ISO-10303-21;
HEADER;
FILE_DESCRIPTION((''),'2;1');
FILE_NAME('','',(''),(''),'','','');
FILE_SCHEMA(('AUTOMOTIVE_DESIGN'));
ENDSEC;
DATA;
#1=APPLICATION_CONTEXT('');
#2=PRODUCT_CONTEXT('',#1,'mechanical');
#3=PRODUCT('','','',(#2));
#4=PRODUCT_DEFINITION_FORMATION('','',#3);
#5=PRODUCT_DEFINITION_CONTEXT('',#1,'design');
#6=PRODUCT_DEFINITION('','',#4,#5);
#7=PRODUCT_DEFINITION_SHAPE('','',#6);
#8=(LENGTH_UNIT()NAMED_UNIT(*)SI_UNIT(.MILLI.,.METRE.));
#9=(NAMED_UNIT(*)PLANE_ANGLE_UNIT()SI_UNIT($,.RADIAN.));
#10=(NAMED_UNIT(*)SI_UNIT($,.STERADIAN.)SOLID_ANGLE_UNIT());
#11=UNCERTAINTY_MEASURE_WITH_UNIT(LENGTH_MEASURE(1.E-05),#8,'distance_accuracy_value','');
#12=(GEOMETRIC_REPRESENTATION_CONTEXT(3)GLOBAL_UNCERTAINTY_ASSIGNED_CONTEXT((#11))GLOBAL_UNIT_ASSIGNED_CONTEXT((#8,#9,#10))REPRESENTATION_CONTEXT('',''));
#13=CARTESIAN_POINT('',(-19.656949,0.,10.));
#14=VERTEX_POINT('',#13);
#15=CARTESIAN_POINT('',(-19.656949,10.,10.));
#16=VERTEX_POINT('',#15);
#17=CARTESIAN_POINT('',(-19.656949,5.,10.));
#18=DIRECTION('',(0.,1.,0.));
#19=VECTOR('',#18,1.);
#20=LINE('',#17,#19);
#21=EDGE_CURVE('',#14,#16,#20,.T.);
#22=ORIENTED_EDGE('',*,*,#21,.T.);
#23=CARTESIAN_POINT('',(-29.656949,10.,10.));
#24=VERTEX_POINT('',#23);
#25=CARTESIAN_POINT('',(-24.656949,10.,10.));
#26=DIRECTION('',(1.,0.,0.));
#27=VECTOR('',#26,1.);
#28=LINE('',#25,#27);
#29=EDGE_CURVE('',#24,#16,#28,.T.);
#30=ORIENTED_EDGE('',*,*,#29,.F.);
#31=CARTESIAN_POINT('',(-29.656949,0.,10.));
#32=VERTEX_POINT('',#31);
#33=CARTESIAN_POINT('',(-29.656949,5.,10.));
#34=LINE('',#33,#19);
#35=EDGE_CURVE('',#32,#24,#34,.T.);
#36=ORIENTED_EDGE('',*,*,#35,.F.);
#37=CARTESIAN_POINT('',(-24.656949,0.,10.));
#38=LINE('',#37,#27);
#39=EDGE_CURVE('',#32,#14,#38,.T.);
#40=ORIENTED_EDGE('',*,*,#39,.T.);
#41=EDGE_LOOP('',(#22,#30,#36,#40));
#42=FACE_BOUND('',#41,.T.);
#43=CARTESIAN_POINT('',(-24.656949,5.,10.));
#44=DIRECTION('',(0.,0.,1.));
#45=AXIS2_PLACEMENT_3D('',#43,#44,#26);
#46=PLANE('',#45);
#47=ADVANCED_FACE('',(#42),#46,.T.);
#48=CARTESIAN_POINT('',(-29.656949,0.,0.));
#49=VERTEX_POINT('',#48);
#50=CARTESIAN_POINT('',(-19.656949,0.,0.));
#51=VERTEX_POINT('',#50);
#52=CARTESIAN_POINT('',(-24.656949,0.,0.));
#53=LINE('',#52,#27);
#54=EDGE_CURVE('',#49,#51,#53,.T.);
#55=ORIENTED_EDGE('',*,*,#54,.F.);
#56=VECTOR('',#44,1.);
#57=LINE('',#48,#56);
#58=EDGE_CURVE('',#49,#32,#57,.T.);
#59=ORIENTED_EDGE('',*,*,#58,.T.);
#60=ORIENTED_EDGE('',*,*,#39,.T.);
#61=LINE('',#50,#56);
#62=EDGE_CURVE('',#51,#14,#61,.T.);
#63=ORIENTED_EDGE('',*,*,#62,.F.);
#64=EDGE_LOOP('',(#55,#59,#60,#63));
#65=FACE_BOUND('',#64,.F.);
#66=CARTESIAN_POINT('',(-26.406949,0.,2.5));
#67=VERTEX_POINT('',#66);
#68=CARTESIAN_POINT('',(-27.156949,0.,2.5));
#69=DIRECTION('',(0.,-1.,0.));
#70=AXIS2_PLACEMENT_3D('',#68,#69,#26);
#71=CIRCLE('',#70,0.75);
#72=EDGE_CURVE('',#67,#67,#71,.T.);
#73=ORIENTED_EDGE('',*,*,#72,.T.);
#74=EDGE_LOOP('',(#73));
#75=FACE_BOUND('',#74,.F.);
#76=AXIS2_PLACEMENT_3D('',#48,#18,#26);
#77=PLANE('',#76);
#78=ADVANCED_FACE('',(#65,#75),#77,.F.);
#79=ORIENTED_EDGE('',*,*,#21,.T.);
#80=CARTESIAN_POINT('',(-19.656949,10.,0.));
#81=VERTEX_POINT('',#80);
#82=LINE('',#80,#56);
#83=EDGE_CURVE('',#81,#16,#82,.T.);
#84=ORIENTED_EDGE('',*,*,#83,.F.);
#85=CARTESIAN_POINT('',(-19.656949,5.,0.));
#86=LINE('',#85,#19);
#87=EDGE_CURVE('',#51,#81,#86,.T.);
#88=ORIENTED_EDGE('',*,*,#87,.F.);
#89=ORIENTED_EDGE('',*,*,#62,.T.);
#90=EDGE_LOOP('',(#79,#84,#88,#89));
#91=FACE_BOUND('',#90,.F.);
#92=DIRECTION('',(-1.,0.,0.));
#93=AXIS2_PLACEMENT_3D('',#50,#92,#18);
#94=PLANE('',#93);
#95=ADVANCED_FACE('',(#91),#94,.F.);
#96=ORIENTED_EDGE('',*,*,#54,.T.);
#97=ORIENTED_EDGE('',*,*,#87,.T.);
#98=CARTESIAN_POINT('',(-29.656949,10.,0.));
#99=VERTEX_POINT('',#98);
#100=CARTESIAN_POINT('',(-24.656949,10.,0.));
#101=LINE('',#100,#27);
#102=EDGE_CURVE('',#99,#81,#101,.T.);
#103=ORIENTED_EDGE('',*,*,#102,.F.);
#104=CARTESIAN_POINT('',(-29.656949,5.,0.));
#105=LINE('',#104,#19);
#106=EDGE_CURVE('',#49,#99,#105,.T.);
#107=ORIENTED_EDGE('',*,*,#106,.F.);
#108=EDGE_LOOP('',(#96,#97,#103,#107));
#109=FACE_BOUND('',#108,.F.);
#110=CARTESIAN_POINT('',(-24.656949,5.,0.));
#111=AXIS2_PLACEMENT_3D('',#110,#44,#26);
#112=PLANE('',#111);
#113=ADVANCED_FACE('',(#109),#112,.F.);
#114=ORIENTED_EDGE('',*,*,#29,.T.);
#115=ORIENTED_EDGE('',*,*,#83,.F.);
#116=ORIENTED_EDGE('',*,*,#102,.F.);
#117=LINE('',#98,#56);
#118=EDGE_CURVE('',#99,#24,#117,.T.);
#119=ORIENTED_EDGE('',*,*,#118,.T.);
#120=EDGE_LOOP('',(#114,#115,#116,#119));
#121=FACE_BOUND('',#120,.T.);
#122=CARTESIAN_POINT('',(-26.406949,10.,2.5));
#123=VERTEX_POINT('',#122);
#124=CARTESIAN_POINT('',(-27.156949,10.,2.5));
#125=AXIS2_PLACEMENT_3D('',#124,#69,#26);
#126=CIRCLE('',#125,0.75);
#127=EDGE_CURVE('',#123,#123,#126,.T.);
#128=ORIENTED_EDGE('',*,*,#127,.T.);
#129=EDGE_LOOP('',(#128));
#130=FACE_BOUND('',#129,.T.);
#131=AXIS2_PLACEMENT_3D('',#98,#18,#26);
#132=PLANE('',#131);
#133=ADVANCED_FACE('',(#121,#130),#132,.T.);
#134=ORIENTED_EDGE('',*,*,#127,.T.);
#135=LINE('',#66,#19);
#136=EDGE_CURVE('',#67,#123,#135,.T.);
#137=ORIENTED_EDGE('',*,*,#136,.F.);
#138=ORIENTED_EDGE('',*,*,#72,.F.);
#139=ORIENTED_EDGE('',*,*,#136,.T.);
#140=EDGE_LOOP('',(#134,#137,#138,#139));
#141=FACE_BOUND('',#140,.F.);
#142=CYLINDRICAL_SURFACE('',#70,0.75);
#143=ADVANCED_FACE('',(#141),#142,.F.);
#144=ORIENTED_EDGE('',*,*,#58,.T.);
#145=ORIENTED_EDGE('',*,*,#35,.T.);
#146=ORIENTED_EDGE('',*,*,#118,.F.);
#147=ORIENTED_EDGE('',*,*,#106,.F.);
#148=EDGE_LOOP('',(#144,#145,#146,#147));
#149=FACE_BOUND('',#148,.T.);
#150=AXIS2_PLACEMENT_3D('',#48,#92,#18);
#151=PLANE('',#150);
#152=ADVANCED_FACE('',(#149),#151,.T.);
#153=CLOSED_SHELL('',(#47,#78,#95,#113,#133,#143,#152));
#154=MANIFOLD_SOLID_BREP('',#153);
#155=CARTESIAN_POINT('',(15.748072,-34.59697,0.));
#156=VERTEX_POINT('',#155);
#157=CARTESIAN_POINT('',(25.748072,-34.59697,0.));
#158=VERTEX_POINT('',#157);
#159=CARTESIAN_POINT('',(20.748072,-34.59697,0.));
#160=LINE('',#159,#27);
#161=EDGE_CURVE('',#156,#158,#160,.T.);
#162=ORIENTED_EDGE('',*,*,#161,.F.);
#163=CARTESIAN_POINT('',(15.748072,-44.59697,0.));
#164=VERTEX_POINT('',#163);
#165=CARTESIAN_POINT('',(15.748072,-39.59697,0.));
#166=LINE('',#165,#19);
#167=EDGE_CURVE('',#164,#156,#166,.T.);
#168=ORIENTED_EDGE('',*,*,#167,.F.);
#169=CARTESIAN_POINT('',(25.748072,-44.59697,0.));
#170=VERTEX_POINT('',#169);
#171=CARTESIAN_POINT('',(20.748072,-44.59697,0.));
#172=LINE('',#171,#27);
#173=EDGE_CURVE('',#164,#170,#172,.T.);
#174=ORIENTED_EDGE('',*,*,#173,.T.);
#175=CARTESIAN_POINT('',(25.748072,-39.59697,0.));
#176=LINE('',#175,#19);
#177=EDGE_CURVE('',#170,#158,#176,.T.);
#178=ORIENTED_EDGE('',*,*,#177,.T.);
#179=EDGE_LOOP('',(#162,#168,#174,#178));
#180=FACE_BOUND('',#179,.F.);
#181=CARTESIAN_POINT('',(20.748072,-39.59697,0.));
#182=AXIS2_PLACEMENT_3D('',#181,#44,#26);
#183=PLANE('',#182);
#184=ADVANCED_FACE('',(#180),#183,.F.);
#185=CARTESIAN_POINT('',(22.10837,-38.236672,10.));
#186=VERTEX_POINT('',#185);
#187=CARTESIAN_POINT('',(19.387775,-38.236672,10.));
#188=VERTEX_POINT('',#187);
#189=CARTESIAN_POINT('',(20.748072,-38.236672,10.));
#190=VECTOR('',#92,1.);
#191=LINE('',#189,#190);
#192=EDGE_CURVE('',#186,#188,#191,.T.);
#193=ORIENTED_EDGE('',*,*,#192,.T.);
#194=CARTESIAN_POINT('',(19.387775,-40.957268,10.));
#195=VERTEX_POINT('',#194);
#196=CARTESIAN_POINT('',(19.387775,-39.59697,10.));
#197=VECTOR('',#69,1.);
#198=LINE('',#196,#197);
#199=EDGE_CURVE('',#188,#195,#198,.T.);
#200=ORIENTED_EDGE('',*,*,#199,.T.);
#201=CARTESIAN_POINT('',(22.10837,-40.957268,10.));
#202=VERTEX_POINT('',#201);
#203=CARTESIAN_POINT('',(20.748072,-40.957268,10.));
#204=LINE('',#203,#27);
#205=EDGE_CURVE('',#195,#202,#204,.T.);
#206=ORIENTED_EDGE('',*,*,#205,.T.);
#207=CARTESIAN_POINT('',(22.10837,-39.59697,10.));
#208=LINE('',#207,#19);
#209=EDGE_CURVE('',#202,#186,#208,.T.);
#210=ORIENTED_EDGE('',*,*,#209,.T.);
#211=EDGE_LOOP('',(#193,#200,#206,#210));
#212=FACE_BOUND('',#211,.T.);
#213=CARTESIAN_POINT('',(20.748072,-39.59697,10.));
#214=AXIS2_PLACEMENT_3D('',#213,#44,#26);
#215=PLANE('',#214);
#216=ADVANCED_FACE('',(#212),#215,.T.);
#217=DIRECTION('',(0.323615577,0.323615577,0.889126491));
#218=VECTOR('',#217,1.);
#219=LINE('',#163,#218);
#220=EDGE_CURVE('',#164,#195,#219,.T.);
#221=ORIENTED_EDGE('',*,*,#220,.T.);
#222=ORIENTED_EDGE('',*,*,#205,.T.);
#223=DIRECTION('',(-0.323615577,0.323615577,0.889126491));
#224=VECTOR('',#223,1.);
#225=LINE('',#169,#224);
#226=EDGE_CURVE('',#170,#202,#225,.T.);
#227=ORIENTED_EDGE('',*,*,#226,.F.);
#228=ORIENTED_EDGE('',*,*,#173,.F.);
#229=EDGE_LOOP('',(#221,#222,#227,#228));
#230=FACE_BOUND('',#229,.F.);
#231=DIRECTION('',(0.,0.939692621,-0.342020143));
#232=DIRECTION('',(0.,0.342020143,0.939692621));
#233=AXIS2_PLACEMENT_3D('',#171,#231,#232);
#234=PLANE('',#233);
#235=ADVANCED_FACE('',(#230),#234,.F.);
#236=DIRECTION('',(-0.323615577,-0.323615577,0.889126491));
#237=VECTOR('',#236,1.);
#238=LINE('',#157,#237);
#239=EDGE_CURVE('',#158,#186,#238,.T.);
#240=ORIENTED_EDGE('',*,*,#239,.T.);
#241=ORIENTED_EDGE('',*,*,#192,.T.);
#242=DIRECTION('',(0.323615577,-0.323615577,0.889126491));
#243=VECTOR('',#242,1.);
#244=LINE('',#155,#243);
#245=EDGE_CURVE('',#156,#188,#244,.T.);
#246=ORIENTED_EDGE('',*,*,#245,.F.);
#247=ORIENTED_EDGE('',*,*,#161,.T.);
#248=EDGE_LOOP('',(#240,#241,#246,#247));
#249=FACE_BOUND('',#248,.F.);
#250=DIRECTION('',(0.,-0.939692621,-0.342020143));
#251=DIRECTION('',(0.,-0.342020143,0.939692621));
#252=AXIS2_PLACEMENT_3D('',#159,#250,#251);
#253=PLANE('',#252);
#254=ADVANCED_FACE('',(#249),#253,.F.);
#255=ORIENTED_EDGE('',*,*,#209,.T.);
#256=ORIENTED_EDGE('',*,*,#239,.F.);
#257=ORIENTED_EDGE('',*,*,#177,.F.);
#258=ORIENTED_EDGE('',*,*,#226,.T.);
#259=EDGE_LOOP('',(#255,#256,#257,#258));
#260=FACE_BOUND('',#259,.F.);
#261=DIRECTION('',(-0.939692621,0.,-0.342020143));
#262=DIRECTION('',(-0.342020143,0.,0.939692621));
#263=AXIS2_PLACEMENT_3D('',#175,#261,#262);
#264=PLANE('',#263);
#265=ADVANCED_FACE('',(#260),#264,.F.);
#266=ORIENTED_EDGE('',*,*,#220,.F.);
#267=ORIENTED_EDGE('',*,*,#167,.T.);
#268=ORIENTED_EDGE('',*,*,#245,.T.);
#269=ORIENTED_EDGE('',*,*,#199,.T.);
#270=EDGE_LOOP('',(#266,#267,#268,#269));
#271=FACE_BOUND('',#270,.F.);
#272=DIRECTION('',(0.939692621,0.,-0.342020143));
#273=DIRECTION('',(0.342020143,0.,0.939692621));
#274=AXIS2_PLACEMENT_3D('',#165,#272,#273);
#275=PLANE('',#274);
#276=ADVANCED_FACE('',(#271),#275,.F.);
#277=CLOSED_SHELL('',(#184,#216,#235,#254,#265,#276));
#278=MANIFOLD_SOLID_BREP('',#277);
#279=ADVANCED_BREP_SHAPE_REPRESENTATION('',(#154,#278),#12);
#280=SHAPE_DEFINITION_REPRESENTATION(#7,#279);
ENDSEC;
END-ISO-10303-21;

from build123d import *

# Parameters (mm, degrees)
F0_W     = 10
F0_H     = 10
F1_DEPTH = 10
F2_W     = 10
F2_H     = 10
F3_DEPTH = 10
F3_TAPER = 20
F4_R     = 0.75
F5_DEPTH = 25


with BuildPart() as f1:
    # F0 (on Top) → F1 (new body)
    with BuildSketch(Plane.XY):
        with Locations((-24.6569485217, 5)):
            Rectangle(F0_W, F0_H)
    extrude(amount=F1_DEPTH)

    # F4 (on face) → F5 (cut)
    with BuildSketch(Plane.XZ):
        with Locations((-27.1569485217, 2.5)):
            Circle(F4_R)
    extrude(amount=-F5_DEPTH, mode=Mode.SUBTRACT)


with BuildPart() as f3:
    # F2 (on Top) → F3 (new body)
    with BuildSketch(Plane.XY):
        with Locations((20.7480721921, -39.5969700813)):
            Rectangle(F2_W, F2_H)
    extrude(amount=F3_DEPTH, taper=F3_TAPER)


solid = Compound([f1.part, f3.part])
